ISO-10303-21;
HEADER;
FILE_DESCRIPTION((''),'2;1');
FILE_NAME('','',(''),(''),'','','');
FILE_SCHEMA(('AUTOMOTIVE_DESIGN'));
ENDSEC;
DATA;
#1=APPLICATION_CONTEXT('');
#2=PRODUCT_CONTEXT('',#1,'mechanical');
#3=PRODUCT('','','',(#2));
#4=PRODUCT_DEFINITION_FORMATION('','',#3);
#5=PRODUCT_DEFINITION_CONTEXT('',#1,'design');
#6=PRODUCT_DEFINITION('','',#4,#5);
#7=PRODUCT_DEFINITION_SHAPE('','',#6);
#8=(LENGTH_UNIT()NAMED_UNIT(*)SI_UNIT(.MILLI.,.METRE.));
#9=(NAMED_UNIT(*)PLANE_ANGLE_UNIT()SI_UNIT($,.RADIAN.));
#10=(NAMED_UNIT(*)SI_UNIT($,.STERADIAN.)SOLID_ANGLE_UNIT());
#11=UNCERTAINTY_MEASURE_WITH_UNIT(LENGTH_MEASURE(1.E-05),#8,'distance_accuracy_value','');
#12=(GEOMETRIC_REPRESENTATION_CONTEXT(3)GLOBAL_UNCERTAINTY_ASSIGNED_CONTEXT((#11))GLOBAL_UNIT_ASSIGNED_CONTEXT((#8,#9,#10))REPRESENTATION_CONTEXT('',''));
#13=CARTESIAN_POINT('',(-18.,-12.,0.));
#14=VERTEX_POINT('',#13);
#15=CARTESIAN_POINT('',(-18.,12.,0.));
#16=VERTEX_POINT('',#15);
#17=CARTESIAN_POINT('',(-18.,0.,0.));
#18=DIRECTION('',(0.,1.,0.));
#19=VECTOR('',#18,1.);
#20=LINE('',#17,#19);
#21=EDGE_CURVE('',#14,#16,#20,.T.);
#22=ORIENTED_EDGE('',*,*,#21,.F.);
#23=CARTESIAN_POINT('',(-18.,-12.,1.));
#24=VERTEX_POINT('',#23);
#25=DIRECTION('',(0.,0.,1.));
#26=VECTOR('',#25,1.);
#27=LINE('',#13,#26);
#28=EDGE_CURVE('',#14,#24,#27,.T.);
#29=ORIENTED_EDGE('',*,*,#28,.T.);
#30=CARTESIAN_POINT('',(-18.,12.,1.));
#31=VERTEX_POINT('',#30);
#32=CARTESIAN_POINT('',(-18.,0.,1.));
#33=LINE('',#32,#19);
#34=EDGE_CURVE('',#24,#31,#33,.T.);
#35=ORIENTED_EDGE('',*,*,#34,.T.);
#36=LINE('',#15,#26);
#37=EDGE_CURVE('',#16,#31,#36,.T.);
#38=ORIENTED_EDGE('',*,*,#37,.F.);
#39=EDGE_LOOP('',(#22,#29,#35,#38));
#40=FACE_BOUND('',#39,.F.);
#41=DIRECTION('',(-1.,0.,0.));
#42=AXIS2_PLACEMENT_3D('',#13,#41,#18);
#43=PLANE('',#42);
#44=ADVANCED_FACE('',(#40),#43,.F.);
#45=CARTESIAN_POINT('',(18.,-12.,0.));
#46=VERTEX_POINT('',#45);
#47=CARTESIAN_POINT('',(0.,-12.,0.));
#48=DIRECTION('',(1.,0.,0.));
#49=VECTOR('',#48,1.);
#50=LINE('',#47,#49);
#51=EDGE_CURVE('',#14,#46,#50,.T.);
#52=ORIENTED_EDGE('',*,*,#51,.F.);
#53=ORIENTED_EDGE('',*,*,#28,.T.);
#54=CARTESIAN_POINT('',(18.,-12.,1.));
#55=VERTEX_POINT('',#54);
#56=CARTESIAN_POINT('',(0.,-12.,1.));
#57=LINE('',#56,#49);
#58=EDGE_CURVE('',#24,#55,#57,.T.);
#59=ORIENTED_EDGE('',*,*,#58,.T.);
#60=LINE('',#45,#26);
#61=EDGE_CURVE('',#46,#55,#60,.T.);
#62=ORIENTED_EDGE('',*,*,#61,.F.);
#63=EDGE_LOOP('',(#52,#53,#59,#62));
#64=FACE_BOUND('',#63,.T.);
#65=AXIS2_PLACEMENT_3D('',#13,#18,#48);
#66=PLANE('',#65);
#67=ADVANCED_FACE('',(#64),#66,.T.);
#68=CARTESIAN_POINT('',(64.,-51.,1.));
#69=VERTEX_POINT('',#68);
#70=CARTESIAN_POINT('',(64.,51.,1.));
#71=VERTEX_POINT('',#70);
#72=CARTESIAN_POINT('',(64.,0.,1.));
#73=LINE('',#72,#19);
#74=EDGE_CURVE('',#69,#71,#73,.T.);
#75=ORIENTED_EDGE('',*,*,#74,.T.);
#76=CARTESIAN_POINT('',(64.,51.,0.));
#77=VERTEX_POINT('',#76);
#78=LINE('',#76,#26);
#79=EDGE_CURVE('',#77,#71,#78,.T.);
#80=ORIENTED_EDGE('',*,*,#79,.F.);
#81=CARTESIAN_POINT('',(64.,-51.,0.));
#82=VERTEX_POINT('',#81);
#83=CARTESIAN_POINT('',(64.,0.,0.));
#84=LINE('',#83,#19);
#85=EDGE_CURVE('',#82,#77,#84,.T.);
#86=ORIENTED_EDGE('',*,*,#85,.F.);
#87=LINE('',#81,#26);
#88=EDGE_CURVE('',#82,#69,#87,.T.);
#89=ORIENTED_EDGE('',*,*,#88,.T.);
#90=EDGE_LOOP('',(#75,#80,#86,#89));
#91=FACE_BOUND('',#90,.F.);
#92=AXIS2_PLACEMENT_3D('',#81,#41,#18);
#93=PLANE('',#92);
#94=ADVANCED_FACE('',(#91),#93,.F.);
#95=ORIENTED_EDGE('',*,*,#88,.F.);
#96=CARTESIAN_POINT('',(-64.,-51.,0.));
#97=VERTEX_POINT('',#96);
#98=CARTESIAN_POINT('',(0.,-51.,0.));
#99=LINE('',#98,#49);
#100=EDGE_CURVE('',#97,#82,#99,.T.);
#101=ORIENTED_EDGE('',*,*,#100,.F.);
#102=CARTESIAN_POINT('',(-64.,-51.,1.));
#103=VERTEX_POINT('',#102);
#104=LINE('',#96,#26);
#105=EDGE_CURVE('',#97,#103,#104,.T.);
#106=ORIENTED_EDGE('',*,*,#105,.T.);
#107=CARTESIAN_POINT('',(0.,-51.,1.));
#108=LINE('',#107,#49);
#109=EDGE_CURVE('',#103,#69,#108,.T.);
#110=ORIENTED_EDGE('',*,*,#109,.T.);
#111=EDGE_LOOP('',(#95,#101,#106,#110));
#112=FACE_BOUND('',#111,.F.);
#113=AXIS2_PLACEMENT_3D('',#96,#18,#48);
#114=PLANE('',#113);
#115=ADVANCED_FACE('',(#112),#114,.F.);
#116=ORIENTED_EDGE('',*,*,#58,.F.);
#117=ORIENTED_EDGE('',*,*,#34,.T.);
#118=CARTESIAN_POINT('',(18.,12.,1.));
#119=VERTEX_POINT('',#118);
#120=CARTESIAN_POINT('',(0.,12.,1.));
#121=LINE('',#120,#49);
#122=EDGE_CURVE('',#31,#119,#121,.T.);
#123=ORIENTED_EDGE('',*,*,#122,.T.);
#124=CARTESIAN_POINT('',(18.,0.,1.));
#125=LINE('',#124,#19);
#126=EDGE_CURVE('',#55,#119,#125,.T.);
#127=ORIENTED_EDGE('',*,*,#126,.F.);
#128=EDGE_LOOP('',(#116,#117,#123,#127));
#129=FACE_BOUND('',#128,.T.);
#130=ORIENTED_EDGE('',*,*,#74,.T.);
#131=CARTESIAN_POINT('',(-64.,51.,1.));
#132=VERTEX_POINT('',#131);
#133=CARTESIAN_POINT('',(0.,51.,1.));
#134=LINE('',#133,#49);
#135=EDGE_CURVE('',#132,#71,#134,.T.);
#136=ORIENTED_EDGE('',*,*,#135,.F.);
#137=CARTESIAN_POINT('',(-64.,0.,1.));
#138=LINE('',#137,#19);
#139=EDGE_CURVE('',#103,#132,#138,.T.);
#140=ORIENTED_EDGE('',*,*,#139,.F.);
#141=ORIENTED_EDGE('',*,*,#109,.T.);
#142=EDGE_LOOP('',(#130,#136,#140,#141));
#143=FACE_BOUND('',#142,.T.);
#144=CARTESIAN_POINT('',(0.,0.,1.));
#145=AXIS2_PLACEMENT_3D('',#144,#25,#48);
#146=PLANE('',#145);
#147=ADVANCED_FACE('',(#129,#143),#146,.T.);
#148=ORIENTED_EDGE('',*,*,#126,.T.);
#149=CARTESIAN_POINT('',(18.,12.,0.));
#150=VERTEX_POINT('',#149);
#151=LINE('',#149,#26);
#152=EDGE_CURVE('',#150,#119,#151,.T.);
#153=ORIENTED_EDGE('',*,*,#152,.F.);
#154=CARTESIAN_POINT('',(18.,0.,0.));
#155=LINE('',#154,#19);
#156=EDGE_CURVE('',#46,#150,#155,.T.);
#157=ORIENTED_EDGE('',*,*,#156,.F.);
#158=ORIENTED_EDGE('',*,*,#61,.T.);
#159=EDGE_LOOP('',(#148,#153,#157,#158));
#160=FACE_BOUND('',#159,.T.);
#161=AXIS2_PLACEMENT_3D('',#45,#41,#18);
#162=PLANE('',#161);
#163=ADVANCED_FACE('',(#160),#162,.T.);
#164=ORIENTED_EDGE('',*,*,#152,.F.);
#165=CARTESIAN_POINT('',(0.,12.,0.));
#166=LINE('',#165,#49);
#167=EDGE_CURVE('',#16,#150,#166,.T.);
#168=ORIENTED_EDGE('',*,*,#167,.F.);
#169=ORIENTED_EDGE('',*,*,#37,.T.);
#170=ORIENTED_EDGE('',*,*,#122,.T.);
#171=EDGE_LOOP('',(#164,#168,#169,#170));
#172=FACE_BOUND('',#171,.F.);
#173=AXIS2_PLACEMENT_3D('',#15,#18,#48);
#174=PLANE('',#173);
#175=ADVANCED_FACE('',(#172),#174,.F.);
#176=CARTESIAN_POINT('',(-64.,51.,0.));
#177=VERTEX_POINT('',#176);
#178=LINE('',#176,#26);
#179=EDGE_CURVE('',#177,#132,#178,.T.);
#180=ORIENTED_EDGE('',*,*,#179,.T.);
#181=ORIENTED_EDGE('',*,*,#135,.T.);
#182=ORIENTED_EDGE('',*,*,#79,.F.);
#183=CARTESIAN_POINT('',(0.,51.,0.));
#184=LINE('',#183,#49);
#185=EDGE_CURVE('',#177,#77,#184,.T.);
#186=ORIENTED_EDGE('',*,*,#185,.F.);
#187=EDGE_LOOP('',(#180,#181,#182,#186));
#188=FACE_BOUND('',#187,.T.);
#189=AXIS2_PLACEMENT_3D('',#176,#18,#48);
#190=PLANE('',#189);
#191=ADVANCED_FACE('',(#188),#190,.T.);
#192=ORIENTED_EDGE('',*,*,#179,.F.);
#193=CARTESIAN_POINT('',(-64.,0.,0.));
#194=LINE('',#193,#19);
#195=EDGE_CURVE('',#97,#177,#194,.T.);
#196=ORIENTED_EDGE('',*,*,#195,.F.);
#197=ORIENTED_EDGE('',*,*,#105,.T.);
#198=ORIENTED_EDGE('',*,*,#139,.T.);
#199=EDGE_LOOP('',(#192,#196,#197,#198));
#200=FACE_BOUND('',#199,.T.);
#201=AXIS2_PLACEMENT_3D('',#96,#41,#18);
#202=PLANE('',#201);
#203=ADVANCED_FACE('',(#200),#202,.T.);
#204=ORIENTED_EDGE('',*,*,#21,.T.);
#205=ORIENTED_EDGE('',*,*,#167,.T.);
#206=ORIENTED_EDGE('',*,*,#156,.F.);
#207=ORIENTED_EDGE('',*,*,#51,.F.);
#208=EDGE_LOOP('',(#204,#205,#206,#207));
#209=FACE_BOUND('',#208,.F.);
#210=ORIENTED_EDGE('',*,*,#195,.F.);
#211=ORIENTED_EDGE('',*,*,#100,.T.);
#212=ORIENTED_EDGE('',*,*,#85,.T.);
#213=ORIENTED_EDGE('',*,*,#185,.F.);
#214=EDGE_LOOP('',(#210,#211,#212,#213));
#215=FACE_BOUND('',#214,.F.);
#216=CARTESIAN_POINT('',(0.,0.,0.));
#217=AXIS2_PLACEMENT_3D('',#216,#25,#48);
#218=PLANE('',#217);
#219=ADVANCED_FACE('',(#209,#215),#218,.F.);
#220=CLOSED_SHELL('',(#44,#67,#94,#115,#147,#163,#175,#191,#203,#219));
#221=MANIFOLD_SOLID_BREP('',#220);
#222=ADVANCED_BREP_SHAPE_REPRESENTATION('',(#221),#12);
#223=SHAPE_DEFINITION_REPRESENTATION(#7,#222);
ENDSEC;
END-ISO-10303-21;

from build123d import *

# Parameters (mm, degrees)
SKETCH_W   = 128
SKETCH_H   = 102
SKETCH_W_2 = 36
SKETCH_H_2 = 24
PAD_DEPTH  = 1


with BuildPart() as part:
    # Sketch → Pad (new body)
    with BuildSketch(Plane.XY):
        Rectangle(SKETCH_W, SKETCH_H)
        Rectangle(SKETCH_W_2, SKETCH_H_2, mode=Mode.SUBTRACT)
    extrude(amount=PAD_DEPTH)


solid = part.part
